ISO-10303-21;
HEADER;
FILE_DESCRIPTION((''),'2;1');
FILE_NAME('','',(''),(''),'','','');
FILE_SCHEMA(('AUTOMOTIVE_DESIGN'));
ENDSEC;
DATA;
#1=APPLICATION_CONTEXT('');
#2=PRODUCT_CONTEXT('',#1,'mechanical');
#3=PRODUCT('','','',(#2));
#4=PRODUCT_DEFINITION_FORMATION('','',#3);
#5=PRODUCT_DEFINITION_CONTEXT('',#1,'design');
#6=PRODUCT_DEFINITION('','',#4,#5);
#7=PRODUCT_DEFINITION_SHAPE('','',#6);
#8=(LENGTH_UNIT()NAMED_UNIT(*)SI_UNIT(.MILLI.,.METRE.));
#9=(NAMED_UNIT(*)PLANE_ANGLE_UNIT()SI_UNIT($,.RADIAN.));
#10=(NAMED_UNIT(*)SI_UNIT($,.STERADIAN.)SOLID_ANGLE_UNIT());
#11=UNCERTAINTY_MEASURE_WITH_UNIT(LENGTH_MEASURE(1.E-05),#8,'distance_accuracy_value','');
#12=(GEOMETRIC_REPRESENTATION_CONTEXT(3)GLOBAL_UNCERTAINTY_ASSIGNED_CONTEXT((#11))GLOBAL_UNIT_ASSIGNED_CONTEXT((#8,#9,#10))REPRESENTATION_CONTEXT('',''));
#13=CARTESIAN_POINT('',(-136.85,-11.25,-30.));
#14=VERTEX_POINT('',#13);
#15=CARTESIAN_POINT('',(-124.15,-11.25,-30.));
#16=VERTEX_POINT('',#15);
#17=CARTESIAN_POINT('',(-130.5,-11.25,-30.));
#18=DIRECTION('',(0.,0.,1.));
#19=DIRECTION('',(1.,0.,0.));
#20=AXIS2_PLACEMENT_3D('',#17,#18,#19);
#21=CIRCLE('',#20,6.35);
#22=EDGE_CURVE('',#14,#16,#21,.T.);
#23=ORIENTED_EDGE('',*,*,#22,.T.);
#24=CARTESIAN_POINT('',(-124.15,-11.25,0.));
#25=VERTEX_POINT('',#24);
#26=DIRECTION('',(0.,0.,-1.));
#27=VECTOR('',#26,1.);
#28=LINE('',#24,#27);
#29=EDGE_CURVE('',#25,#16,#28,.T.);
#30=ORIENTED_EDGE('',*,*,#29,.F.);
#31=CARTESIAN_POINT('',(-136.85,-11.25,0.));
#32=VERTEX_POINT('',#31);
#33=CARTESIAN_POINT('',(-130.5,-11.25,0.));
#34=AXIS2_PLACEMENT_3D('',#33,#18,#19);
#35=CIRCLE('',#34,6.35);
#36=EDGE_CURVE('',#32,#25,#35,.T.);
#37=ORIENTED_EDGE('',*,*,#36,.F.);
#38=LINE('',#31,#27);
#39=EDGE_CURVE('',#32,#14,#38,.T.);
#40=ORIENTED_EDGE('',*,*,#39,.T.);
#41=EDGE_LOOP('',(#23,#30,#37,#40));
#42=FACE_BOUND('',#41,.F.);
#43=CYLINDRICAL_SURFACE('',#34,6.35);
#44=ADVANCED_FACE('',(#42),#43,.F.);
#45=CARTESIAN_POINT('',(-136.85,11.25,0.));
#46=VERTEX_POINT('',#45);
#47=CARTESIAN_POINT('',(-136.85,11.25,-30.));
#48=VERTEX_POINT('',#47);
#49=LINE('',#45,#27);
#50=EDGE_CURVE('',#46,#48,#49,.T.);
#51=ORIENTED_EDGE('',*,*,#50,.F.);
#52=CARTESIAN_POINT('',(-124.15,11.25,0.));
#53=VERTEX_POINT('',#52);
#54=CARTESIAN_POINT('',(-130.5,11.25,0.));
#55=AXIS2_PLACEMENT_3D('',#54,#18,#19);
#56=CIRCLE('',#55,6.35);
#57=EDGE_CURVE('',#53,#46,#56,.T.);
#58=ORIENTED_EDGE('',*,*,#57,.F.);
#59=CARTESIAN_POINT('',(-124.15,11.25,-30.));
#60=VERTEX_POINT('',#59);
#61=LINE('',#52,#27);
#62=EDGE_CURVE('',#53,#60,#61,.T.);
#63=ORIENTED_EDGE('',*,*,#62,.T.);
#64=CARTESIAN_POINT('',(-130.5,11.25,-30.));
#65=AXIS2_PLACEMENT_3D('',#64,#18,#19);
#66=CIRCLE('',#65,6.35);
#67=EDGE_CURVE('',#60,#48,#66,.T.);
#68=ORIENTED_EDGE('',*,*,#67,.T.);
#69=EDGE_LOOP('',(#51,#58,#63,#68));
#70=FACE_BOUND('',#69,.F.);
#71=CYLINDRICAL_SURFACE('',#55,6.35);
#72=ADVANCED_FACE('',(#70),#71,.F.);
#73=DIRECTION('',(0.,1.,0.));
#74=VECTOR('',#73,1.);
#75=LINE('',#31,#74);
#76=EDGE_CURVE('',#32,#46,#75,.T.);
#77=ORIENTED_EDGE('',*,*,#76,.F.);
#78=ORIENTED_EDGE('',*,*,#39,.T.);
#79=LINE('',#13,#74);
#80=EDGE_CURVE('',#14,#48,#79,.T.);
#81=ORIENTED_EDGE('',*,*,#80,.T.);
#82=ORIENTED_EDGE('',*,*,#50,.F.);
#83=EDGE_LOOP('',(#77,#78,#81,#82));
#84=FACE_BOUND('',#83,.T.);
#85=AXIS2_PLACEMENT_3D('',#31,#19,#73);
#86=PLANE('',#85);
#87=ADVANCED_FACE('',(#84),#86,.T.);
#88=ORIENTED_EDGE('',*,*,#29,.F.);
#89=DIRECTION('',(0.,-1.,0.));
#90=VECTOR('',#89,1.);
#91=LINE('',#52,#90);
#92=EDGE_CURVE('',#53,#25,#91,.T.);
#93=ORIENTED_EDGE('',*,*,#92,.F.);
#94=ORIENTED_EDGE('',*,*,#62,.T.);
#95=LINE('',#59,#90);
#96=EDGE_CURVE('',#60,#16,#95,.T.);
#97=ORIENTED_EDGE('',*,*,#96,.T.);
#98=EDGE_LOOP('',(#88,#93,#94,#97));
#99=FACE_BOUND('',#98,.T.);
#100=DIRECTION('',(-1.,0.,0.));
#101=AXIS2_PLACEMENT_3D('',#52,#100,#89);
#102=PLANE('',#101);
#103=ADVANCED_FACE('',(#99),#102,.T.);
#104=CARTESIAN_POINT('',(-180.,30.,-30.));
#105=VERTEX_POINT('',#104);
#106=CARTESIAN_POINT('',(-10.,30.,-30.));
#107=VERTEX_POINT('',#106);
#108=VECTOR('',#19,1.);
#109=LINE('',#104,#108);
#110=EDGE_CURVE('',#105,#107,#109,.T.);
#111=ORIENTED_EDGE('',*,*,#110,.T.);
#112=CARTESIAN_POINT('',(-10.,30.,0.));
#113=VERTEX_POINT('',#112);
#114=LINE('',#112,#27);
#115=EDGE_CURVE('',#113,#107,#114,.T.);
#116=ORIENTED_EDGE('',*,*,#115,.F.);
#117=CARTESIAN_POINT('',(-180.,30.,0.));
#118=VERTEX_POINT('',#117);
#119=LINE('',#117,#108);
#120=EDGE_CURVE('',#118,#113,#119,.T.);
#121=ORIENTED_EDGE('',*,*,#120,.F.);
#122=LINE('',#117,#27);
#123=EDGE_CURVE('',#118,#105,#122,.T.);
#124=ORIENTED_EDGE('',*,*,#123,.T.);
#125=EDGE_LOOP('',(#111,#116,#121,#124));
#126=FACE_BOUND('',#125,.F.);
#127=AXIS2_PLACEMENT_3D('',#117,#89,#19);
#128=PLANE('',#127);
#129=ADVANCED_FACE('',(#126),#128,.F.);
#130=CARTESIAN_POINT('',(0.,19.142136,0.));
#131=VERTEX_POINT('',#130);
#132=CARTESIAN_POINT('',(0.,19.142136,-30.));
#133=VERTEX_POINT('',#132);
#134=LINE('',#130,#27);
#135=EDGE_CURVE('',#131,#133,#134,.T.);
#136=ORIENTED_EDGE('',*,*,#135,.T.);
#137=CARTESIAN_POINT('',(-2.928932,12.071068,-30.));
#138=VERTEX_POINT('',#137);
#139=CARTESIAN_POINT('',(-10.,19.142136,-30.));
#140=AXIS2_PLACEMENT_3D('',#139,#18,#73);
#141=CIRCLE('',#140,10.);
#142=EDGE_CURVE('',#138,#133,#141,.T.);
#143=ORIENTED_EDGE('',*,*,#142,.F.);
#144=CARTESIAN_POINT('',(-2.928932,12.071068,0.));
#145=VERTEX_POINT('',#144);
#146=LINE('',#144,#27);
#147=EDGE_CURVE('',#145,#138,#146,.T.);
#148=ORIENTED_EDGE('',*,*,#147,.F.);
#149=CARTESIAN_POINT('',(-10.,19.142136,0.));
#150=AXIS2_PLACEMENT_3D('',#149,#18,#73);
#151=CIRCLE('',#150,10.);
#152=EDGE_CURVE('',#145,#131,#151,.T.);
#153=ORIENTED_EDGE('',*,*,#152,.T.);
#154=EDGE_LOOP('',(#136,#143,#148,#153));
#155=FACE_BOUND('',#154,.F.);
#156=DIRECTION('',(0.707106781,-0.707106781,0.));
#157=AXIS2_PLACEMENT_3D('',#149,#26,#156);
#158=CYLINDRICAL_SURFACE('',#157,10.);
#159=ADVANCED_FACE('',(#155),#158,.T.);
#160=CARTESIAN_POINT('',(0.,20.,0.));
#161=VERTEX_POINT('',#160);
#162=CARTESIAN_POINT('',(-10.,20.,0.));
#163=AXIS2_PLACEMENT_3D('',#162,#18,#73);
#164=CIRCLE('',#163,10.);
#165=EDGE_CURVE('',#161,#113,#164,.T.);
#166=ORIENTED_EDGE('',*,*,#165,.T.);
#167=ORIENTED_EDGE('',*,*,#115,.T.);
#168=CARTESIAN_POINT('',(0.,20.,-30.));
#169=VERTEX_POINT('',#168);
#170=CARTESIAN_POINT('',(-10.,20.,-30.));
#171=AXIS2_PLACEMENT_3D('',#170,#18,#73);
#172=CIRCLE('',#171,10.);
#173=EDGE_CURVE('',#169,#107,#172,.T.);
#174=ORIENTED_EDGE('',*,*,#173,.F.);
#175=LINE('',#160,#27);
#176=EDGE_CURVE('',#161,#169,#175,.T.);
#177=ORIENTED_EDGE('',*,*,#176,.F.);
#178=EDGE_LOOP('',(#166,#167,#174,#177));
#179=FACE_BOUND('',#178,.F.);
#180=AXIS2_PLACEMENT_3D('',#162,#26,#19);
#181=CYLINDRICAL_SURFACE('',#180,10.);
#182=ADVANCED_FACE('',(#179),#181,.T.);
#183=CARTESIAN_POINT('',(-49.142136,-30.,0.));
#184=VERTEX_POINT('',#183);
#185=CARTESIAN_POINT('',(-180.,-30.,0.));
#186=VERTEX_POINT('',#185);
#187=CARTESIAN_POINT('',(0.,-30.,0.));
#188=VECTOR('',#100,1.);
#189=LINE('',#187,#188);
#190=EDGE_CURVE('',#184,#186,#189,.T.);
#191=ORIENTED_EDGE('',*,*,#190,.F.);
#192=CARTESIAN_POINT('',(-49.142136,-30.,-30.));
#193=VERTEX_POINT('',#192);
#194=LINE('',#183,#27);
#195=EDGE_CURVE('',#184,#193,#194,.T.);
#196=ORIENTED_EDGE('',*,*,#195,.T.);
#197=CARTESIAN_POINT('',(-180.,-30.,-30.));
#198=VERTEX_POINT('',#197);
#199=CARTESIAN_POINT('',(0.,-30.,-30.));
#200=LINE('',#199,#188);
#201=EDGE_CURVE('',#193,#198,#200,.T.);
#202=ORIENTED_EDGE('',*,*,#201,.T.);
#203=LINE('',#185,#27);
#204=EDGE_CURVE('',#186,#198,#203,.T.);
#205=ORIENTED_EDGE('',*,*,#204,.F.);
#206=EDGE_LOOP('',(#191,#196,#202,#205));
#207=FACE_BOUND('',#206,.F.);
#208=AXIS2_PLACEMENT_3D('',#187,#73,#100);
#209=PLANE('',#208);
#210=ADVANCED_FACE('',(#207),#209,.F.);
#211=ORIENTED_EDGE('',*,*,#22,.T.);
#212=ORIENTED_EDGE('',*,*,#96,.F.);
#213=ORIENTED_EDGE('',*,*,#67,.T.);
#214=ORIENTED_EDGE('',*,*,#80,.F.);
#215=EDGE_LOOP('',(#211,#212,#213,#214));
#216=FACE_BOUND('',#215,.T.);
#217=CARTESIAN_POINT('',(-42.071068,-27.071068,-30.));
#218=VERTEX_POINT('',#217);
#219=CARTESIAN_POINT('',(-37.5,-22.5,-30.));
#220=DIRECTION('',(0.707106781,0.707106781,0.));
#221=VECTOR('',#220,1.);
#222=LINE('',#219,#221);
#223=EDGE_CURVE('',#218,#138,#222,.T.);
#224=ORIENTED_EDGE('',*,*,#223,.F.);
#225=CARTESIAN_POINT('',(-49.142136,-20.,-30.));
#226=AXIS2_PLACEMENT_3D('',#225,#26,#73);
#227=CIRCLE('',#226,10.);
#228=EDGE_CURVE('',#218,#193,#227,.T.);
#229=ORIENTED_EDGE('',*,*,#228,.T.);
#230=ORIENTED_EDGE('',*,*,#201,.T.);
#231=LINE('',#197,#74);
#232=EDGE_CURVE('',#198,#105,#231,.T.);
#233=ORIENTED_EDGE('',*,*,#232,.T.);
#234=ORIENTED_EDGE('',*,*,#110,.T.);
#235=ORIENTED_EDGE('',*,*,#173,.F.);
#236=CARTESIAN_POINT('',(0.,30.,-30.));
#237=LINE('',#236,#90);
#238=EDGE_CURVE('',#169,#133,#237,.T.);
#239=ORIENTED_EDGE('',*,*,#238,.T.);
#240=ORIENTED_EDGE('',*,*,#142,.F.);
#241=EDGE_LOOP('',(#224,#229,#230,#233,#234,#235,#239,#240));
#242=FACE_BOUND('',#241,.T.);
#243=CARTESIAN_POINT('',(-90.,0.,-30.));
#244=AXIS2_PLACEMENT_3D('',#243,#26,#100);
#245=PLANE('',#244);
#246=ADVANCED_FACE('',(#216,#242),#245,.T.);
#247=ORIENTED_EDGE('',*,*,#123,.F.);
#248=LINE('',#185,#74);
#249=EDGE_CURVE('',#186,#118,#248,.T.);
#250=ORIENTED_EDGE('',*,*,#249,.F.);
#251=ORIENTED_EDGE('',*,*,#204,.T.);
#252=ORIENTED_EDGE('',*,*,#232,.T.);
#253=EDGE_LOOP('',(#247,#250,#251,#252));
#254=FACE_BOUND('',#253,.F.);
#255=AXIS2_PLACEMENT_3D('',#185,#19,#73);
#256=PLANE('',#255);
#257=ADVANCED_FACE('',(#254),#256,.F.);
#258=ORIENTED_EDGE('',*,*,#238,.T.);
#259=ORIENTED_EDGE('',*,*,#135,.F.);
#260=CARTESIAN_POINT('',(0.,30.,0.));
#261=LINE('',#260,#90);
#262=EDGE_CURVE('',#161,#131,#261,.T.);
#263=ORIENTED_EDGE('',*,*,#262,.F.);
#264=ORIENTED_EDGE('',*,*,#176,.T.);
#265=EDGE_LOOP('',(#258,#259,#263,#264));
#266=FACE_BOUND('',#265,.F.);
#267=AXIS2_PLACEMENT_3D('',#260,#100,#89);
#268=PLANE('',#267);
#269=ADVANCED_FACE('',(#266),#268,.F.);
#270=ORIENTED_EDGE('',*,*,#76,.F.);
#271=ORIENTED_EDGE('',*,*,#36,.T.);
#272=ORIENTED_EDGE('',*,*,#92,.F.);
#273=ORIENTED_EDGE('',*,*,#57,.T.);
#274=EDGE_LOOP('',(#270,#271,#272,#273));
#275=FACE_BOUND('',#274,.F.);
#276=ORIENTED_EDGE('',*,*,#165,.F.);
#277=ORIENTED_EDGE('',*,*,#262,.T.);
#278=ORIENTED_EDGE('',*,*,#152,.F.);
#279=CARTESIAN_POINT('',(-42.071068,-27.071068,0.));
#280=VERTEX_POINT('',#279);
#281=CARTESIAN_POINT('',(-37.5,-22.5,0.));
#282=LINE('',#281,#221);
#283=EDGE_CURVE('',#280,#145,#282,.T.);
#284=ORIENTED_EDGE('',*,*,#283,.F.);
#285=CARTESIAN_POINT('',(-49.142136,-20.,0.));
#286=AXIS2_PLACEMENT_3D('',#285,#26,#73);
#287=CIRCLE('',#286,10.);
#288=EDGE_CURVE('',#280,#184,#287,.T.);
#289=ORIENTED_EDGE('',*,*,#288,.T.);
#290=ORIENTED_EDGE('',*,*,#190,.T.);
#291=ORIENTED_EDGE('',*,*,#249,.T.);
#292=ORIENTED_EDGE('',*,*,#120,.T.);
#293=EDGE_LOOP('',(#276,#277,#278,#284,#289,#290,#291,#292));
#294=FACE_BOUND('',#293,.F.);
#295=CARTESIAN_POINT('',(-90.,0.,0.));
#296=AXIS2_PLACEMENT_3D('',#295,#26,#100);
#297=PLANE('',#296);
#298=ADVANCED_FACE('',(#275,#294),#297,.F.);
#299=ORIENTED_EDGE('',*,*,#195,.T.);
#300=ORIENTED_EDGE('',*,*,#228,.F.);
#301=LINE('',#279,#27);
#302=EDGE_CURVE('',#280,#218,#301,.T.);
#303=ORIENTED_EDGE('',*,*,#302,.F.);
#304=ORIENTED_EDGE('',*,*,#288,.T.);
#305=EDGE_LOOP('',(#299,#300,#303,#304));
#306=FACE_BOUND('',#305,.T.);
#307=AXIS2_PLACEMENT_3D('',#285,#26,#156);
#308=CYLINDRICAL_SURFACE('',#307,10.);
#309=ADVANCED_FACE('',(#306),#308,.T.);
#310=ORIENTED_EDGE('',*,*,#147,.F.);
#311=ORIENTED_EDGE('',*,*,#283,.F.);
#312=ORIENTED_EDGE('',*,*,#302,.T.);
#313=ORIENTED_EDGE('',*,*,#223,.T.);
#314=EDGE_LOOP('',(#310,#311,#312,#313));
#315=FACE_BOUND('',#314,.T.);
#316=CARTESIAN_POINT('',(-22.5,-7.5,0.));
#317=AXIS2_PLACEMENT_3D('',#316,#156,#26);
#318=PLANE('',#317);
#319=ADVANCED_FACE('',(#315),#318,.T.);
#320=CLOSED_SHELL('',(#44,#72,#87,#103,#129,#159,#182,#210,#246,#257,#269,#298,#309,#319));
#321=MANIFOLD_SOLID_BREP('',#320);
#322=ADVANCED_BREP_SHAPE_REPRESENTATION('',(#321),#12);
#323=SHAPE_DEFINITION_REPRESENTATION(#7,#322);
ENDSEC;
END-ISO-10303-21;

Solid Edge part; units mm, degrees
sketch "Sketch1" plane through (0, 0, 0) normal (0, 0, 1) x (1, 0, 0)
  line L0 (0, -30) -> (-180, -30)
  line L1 (-180, -30) -> (-180, 30)
  line L2 (-180, 30) -> (0, 30)
  line L3 (0, 30) -> (0, -30)
extrude "Protrusion1" add sketch "Sketch1" against normal blind 30
sketch "Sketch2" plane through (-90, 0, 0) normal (0, 0, 1) x (1, 0, 0)
  circle A0 centre (-40.5, 11.25) radius 6.35
  circle A1 centre (-40.5, -11.25) radius 6.35
extrude "Recorte_Extrudado_1" cut sketch "Sketch2" against normal blind 30
sketch "Sketch3" plane through (-90, 0, 0) normal (0, 0, 1) x (1, 0, 0)
  line L0 (-34.15, 11.25) -> (-34.15, -11.25)
  line L1 (-34.15, -11.25) -> (-46.85, -11.25)
  line L2 (-46.85, -11.25) -> (-46.85, 11.25)
  line L3 (-46.85, 11.25) -> (-34.15, 11.25)
extrude "Recorte_Extrudado_2" cut sketch "Sketch3" against normal blind 30
chamfer "Chanfro_3" distance 45 angle 45 1 edges at (0, -30, -15)
fillet "Redondo_5" radius 10 2 edges at (0, 30, -15) (0, 15, -15)
fillet "Redondo_6" radius 10 1 edges at (-45, -30, -15)
